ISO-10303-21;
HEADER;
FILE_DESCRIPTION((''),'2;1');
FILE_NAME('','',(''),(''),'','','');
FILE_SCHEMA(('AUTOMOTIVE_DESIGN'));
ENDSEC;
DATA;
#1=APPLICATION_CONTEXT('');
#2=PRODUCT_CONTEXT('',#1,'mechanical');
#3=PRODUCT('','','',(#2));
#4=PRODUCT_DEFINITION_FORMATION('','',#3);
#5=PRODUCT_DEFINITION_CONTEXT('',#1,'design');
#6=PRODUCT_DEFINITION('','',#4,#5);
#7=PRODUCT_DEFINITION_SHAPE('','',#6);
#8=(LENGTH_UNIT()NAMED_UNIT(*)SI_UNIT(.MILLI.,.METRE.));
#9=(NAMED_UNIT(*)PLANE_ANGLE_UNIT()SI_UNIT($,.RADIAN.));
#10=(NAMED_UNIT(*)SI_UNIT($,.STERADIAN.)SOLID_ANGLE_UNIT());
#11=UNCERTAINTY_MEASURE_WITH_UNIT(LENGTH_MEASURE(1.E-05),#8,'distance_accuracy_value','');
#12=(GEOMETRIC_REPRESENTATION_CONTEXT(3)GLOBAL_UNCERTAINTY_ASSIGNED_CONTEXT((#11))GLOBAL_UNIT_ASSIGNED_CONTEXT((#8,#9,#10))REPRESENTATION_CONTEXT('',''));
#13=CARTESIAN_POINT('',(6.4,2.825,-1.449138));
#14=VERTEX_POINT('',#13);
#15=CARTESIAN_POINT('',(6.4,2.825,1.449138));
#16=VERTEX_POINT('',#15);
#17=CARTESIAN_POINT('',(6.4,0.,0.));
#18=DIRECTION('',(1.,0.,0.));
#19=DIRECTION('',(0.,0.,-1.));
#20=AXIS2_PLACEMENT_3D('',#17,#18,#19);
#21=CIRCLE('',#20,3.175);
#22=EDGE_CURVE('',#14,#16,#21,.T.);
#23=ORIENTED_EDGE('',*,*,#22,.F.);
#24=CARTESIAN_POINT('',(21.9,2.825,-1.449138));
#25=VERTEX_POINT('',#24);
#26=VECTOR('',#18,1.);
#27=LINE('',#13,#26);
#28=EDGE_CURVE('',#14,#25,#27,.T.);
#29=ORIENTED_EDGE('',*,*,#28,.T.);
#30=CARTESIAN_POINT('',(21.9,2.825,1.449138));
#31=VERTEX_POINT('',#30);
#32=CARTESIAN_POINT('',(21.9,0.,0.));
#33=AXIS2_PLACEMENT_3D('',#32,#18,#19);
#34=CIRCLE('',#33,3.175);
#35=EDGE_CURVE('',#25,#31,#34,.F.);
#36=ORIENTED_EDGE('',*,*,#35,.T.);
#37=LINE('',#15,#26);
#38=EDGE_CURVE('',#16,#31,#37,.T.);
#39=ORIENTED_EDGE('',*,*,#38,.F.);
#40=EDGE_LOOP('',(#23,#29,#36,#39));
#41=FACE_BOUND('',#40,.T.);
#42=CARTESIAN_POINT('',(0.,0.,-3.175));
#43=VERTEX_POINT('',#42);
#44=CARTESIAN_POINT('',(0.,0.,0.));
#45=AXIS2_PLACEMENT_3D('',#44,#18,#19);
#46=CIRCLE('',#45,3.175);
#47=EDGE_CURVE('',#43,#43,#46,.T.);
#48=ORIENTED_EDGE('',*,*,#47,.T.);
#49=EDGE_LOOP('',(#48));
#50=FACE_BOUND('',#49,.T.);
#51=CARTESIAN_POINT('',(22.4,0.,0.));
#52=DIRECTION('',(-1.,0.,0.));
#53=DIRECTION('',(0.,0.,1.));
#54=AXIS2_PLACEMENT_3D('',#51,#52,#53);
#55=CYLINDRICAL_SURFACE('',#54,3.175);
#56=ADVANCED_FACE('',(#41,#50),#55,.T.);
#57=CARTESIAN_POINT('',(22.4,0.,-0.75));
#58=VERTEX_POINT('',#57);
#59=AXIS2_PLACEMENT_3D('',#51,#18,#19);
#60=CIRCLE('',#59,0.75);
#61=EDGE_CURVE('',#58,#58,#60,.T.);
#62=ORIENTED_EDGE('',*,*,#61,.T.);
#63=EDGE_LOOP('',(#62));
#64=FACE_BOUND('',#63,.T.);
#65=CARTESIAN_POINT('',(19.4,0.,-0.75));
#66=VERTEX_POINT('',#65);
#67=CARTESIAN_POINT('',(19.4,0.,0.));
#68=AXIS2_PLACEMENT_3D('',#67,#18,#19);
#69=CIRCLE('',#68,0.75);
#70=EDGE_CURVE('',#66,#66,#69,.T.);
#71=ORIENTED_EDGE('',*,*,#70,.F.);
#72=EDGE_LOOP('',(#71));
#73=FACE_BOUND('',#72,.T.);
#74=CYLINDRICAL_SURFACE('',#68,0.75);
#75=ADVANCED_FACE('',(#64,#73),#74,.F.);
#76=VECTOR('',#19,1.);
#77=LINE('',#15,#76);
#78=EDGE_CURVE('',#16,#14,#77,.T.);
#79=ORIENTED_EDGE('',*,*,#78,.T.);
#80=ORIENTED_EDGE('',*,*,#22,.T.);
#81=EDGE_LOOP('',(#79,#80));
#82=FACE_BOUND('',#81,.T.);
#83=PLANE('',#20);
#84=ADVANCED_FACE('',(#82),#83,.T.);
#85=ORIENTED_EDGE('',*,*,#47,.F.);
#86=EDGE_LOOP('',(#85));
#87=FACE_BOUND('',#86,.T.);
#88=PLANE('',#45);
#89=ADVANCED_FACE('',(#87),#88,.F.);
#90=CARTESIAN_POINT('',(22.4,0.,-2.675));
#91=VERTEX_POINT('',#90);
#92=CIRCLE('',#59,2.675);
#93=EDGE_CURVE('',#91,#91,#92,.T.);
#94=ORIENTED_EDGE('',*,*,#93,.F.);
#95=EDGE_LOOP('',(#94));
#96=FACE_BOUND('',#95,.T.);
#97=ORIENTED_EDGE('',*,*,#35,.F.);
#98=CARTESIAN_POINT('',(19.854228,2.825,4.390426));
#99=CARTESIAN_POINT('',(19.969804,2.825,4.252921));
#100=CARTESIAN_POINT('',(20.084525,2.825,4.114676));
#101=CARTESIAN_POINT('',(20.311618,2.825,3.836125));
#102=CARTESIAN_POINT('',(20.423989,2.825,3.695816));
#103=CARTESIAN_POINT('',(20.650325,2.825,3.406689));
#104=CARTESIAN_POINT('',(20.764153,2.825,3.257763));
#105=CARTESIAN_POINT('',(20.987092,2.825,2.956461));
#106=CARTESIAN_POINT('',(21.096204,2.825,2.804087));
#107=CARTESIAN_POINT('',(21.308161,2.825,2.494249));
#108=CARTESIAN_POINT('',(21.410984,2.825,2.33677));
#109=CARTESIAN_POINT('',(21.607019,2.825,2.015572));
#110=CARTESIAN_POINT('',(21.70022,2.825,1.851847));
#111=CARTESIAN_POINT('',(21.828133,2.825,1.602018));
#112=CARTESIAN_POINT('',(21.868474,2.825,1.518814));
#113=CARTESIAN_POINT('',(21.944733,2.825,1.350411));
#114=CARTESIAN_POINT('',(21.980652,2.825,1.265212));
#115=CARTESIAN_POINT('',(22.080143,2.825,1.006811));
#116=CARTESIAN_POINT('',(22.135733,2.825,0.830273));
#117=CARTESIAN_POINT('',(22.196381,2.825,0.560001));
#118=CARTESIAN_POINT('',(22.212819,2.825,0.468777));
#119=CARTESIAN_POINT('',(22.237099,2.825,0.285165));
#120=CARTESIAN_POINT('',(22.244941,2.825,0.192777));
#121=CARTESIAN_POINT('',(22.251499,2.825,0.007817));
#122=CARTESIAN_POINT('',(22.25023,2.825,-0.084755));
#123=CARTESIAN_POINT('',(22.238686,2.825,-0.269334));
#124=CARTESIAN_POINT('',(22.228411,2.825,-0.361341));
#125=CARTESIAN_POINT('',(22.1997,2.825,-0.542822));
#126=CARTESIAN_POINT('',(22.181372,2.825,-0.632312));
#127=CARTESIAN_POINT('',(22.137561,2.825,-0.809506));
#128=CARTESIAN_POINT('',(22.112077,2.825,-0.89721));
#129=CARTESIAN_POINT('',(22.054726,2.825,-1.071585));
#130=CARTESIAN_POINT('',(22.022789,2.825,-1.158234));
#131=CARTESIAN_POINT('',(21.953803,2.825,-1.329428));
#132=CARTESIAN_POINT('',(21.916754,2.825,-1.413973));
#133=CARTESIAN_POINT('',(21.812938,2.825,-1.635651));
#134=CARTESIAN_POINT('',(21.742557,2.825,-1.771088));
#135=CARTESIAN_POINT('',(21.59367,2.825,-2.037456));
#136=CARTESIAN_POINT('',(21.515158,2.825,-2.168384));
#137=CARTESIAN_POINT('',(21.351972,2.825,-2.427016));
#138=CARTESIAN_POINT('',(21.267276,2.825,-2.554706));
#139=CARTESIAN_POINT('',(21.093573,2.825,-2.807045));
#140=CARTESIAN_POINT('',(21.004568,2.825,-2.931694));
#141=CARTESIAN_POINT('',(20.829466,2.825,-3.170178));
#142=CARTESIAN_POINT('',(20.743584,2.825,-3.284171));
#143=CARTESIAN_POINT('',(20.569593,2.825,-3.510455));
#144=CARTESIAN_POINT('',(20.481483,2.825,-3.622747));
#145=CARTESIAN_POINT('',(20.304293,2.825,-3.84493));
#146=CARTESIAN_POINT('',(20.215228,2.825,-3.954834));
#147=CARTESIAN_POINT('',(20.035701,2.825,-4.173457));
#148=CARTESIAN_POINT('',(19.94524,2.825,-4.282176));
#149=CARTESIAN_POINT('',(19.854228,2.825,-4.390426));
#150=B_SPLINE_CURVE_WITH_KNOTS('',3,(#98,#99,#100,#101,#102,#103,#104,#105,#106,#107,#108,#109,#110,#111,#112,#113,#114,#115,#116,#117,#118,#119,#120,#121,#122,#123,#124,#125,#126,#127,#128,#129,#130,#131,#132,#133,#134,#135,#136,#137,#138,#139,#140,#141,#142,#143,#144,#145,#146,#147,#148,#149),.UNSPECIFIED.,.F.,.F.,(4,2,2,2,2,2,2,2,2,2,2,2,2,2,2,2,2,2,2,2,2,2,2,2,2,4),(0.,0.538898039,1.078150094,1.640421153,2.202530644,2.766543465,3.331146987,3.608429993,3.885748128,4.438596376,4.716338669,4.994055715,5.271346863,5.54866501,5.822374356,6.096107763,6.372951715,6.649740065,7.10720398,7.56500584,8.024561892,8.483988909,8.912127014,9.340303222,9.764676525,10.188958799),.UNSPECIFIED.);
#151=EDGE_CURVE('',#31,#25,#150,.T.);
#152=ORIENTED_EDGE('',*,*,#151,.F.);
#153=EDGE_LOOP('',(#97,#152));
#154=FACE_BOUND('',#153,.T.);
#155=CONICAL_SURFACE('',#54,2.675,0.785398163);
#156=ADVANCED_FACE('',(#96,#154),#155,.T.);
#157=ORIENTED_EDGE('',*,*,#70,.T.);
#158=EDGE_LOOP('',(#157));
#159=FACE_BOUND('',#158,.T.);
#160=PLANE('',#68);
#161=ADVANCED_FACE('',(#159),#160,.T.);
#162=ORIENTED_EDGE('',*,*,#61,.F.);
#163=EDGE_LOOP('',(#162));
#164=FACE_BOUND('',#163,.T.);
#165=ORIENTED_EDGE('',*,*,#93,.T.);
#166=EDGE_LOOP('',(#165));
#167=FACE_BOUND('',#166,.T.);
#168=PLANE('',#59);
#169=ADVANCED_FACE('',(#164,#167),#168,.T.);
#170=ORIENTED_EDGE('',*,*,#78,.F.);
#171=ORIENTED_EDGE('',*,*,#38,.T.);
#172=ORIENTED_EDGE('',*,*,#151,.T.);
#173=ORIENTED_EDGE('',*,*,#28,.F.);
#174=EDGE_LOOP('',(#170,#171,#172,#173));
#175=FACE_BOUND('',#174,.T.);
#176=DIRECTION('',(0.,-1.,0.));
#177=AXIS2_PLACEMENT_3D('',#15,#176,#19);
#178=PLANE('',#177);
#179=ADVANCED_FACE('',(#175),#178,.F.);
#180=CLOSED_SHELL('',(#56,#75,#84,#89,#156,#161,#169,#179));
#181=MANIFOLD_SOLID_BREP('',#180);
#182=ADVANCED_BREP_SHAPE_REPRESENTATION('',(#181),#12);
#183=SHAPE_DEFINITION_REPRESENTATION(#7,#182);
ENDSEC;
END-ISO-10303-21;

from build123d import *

# Parameters (mm, degrees)
ESBO_O1_R                = 3.175
RESSALTO_EXTRUS_O1_DEPTH = 22.4
CHANFRO1_SIZE            = 0.5
ESBO_O3_W                = 2.89827535
ESBO_O3_H                = 0.35
CORTE_EXTRUS_O1_DEPTH    = 16
ESBO_O4_R                = 0.75
CORTE_EXTRUS_O2_DEPTH    = 3


with BuildPart() as part:
    # Esboço1 → Ressalto-extrusão1 (new body)
    with BuildSketch(Plane(origin=(0, 0, 0), x_dir=(0, 0, -1), z_dir=(1, 0, 0))):
        Circle(ESBO_O1_R)
    extrude(amount=RESSALTO_EXTRUS_O1_DEPTH)

    # Chanfro1
    chanfro1_edges = [part.edges().sort_by_distance(p)[0] for p in [
        (22.4, 0, 3.175),
    ]]
    chamfer(chanfro1_edges, length=CHANFRO1_SIZE)

    # Esboço3 → Corte-extrusão1 (cut)
    with BuildSketch(Plane(origin=(22.4, 0, 0), x_dir=(0, 0, -1), z_dir=(1, 0, 0))):
        with Locations((0, 3)):
            Rectangle(ESBO_O3_W, ESBO_O3_H)
    extrude(amount=-CORTE_EXTRUS_O1_DEPTH, mode=Mode.SUBTRACT)

    # Esboço4 → Corte-extrusão2 (cut)
    with BuildSketch(Plane(origin=(22.4, 0, 0), x_dir=(0, 0, -1), z_dir=(1, 0, 0))):
        Circle(ESBO_O4_R)
    extrude(amount=-CORTE_EXTRUS_O2_DEPTH, mode=Mode.SUBTRACT)


solid = part.part
